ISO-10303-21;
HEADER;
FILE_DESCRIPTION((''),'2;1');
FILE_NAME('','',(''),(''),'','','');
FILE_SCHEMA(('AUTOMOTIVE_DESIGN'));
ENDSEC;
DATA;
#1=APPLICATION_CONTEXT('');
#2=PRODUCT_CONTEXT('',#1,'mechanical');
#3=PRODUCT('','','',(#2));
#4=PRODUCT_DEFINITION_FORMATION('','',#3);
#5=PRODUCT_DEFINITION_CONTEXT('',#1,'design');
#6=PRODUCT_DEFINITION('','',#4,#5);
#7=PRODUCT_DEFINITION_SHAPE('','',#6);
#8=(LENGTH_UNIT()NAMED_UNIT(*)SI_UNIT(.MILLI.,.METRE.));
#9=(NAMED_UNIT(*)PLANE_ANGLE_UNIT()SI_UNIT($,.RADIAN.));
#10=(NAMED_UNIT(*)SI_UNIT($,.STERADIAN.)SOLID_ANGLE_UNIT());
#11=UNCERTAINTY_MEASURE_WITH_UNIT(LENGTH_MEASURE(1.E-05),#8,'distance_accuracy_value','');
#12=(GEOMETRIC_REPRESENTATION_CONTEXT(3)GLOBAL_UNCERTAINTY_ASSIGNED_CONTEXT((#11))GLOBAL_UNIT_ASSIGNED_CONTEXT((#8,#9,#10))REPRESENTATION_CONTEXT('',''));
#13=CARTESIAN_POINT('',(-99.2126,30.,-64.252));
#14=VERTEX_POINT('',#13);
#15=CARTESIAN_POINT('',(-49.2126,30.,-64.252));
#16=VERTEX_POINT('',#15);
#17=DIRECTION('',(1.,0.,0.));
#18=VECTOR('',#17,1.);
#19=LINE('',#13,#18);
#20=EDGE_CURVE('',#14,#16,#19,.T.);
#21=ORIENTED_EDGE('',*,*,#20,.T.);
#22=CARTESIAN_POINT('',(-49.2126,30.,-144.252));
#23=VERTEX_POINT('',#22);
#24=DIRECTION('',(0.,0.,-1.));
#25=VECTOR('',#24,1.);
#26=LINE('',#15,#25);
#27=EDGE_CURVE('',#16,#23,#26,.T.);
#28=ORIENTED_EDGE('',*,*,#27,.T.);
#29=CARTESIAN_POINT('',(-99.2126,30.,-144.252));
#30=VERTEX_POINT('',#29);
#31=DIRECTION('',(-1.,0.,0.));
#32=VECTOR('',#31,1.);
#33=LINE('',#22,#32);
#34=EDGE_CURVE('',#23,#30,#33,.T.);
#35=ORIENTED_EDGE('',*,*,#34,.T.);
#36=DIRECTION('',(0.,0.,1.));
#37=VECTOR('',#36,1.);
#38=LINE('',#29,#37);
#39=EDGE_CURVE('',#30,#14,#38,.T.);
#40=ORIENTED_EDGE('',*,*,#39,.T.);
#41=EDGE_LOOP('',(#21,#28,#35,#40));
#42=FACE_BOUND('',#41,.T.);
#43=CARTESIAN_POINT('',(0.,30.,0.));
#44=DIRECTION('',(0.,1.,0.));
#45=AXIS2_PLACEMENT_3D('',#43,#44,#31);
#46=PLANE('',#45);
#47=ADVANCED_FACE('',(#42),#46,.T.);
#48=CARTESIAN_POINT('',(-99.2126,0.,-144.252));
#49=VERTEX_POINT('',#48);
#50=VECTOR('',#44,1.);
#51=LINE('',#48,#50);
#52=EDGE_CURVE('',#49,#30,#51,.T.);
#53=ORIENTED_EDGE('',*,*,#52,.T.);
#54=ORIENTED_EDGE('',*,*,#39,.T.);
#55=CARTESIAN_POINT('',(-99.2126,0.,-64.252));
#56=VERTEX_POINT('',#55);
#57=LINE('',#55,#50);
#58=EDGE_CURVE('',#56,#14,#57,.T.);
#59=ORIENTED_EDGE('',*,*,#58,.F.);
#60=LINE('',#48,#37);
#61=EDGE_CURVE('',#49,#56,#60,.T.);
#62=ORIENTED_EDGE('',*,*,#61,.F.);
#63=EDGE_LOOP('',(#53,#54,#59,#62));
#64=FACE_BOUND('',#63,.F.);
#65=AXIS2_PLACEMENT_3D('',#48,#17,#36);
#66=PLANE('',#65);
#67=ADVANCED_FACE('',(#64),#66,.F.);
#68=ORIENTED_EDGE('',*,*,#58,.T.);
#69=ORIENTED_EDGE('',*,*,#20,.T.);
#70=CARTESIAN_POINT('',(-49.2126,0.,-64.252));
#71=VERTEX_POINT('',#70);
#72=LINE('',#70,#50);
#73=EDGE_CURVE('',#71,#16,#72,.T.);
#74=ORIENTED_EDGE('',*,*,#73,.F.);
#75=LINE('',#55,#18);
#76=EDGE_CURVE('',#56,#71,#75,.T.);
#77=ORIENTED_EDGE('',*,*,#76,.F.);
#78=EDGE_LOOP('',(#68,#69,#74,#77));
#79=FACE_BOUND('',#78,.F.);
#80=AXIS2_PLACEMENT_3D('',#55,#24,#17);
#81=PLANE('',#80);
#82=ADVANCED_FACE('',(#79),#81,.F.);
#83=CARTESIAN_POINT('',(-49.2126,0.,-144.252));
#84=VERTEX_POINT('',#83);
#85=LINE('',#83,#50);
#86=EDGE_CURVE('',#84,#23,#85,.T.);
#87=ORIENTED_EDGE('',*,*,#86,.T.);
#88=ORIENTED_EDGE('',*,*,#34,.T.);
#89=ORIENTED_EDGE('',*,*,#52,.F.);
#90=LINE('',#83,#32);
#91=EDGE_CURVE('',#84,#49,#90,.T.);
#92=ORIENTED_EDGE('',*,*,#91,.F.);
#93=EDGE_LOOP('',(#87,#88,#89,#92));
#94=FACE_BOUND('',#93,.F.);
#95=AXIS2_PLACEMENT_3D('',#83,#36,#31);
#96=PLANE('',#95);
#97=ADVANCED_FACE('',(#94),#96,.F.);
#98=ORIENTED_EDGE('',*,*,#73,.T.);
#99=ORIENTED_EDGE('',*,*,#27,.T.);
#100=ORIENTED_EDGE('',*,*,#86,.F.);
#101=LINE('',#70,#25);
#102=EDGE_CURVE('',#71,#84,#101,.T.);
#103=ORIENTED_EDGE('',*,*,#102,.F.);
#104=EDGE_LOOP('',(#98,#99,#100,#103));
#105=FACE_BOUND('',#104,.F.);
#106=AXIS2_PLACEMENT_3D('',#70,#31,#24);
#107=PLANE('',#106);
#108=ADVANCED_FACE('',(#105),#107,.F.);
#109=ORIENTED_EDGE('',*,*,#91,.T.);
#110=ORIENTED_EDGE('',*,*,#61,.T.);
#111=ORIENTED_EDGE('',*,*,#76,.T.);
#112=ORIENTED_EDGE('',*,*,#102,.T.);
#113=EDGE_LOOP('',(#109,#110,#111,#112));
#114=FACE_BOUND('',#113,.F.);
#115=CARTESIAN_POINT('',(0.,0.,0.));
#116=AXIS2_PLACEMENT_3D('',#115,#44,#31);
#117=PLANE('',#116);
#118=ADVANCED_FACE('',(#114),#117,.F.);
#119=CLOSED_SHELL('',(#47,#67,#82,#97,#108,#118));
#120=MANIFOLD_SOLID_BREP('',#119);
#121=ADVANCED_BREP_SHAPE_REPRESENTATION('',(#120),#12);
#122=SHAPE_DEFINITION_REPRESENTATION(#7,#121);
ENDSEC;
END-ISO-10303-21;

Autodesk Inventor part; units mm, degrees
ref_plane "YZ Plane" through (0, 0, 0) normal (1, 0, 0) x (0, 1, 0)
ref_plane "XZ Plane" through (0, 0, 0) normal (0, 1, 0) x (-1, 0, 0)
ref_plane "XY Plane" through (0, 0, 0) normal (0, 0, 1) x (1, 0, 0)
sketch "Skizze1" plane through (0, 0, 0) normal (0, 1, 0) x (-1, 0, 0)
  line L0 (99.2126, -64.252) -> (49.2126, -64.252)
  line L1 (49.2126, -64.252) -> (49.2126, -144.252)
  line L2 (49.2126, -144.252) -> (99.2126, -144.252)
  line L3 (99.2126, -144.252) -> (99.2126, -64.252)
  point P0 (0, 0)
  dimension "d0" = 80
  dimension "d1" = 50
extrude "Extrusion1" add sketch "Skizze1" along normal blind 30
properties part number "Arduino"
